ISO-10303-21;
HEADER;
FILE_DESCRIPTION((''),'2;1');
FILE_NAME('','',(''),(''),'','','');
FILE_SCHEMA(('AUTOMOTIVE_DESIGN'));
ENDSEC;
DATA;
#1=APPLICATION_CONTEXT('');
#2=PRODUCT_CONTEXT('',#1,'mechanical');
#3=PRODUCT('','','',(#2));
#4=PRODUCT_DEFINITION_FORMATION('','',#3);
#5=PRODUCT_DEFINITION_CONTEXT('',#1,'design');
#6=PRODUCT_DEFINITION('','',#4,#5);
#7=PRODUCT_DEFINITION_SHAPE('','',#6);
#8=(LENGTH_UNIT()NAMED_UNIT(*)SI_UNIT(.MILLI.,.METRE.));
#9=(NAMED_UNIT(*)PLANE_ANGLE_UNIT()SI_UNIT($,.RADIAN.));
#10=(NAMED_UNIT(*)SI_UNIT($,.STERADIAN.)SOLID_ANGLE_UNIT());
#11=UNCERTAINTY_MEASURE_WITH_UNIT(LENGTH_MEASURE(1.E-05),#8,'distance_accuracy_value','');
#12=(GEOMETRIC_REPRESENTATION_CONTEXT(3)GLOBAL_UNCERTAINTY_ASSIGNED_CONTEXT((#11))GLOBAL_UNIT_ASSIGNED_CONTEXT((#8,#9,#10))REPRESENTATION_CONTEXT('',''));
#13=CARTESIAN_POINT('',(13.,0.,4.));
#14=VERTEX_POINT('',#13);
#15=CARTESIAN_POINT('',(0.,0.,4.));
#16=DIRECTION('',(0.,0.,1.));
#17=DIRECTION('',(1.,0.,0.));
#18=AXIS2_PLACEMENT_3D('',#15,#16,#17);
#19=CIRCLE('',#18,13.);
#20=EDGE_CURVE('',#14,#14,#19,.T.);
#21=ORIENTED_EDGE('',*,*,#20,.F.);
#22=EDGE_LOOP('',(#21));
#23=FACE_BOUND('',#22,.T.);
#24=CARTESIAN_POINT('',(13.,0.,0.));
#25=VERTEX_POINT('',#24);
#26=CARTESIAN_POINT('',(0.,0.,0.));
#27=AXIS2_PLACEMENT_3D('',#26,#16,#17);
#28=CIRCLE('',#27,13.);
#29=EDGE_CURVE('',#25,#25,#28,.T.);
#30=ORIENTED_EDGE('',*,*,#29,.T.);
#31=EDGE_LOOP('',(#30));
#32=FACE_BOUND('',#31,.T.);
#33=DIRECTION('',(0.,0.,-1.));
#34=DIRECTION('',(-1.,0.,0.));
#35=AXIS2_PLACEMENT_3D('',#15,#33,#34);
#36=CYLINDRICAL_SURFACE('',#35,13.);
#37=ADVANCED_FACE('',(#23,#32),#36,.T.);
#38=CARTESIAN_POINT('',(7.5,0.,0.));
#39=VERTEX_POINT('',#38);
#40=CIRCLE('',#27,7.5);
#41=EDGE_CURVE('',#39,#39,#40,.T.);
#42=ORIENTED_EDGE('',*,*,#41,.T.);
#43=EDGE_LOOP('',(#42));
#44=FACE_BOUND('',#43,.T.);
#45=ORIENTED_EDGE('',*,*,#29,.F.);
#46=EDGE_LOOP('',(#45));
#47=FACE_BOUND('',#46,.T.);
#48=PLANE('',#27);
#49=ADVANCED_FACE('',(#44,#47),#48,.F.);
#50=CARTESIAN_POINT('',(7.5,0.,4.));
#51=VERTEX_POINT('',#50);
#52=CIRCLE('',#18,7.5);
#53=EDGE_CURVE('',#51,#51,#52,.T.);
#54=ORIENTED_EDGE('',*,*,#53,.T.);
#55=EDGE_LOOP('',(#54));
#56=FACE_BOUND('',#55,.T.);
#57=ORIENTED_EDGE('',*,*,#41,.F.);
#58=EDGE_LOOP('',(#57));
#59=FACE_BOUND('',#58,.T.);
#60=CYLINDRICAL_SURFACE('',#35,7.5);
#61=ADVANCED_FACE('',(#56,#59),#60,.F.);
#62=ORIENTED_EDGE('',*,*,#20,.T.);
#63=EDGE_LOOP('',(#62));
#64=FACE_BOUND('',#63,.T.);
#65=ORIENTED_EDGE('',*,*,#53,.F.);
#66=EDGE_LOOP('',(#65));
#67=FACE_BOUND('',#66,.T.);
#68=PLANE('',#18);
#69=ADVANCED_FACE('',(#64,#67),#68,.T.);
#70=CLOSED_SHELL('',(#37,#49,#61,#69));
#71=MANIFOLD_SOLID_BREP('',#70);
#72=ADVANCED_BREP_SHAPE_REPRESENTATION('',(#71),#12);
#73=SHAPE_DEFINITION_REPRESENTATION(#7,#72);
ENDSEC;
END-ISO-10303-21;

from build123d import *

# Parameters (mm, degrees)
SKETCH1_R           = 13
SKETCH1_R_2         = 7.5
BOSS_EXTRUDE1_DEPTH = 4


with BuildPart() as part:
    # Sketch1 → Boss-Extrude1 (new body)
    with BuildSketch(Plane.XY):
        Circle(SKETCH1_R)
        Circle(SKETCH1_R_2, mode=Mode.SUBTRACT)
    extrude(amount=BOSS_EXTRUDE1_DEPTH)


solid = part.part
